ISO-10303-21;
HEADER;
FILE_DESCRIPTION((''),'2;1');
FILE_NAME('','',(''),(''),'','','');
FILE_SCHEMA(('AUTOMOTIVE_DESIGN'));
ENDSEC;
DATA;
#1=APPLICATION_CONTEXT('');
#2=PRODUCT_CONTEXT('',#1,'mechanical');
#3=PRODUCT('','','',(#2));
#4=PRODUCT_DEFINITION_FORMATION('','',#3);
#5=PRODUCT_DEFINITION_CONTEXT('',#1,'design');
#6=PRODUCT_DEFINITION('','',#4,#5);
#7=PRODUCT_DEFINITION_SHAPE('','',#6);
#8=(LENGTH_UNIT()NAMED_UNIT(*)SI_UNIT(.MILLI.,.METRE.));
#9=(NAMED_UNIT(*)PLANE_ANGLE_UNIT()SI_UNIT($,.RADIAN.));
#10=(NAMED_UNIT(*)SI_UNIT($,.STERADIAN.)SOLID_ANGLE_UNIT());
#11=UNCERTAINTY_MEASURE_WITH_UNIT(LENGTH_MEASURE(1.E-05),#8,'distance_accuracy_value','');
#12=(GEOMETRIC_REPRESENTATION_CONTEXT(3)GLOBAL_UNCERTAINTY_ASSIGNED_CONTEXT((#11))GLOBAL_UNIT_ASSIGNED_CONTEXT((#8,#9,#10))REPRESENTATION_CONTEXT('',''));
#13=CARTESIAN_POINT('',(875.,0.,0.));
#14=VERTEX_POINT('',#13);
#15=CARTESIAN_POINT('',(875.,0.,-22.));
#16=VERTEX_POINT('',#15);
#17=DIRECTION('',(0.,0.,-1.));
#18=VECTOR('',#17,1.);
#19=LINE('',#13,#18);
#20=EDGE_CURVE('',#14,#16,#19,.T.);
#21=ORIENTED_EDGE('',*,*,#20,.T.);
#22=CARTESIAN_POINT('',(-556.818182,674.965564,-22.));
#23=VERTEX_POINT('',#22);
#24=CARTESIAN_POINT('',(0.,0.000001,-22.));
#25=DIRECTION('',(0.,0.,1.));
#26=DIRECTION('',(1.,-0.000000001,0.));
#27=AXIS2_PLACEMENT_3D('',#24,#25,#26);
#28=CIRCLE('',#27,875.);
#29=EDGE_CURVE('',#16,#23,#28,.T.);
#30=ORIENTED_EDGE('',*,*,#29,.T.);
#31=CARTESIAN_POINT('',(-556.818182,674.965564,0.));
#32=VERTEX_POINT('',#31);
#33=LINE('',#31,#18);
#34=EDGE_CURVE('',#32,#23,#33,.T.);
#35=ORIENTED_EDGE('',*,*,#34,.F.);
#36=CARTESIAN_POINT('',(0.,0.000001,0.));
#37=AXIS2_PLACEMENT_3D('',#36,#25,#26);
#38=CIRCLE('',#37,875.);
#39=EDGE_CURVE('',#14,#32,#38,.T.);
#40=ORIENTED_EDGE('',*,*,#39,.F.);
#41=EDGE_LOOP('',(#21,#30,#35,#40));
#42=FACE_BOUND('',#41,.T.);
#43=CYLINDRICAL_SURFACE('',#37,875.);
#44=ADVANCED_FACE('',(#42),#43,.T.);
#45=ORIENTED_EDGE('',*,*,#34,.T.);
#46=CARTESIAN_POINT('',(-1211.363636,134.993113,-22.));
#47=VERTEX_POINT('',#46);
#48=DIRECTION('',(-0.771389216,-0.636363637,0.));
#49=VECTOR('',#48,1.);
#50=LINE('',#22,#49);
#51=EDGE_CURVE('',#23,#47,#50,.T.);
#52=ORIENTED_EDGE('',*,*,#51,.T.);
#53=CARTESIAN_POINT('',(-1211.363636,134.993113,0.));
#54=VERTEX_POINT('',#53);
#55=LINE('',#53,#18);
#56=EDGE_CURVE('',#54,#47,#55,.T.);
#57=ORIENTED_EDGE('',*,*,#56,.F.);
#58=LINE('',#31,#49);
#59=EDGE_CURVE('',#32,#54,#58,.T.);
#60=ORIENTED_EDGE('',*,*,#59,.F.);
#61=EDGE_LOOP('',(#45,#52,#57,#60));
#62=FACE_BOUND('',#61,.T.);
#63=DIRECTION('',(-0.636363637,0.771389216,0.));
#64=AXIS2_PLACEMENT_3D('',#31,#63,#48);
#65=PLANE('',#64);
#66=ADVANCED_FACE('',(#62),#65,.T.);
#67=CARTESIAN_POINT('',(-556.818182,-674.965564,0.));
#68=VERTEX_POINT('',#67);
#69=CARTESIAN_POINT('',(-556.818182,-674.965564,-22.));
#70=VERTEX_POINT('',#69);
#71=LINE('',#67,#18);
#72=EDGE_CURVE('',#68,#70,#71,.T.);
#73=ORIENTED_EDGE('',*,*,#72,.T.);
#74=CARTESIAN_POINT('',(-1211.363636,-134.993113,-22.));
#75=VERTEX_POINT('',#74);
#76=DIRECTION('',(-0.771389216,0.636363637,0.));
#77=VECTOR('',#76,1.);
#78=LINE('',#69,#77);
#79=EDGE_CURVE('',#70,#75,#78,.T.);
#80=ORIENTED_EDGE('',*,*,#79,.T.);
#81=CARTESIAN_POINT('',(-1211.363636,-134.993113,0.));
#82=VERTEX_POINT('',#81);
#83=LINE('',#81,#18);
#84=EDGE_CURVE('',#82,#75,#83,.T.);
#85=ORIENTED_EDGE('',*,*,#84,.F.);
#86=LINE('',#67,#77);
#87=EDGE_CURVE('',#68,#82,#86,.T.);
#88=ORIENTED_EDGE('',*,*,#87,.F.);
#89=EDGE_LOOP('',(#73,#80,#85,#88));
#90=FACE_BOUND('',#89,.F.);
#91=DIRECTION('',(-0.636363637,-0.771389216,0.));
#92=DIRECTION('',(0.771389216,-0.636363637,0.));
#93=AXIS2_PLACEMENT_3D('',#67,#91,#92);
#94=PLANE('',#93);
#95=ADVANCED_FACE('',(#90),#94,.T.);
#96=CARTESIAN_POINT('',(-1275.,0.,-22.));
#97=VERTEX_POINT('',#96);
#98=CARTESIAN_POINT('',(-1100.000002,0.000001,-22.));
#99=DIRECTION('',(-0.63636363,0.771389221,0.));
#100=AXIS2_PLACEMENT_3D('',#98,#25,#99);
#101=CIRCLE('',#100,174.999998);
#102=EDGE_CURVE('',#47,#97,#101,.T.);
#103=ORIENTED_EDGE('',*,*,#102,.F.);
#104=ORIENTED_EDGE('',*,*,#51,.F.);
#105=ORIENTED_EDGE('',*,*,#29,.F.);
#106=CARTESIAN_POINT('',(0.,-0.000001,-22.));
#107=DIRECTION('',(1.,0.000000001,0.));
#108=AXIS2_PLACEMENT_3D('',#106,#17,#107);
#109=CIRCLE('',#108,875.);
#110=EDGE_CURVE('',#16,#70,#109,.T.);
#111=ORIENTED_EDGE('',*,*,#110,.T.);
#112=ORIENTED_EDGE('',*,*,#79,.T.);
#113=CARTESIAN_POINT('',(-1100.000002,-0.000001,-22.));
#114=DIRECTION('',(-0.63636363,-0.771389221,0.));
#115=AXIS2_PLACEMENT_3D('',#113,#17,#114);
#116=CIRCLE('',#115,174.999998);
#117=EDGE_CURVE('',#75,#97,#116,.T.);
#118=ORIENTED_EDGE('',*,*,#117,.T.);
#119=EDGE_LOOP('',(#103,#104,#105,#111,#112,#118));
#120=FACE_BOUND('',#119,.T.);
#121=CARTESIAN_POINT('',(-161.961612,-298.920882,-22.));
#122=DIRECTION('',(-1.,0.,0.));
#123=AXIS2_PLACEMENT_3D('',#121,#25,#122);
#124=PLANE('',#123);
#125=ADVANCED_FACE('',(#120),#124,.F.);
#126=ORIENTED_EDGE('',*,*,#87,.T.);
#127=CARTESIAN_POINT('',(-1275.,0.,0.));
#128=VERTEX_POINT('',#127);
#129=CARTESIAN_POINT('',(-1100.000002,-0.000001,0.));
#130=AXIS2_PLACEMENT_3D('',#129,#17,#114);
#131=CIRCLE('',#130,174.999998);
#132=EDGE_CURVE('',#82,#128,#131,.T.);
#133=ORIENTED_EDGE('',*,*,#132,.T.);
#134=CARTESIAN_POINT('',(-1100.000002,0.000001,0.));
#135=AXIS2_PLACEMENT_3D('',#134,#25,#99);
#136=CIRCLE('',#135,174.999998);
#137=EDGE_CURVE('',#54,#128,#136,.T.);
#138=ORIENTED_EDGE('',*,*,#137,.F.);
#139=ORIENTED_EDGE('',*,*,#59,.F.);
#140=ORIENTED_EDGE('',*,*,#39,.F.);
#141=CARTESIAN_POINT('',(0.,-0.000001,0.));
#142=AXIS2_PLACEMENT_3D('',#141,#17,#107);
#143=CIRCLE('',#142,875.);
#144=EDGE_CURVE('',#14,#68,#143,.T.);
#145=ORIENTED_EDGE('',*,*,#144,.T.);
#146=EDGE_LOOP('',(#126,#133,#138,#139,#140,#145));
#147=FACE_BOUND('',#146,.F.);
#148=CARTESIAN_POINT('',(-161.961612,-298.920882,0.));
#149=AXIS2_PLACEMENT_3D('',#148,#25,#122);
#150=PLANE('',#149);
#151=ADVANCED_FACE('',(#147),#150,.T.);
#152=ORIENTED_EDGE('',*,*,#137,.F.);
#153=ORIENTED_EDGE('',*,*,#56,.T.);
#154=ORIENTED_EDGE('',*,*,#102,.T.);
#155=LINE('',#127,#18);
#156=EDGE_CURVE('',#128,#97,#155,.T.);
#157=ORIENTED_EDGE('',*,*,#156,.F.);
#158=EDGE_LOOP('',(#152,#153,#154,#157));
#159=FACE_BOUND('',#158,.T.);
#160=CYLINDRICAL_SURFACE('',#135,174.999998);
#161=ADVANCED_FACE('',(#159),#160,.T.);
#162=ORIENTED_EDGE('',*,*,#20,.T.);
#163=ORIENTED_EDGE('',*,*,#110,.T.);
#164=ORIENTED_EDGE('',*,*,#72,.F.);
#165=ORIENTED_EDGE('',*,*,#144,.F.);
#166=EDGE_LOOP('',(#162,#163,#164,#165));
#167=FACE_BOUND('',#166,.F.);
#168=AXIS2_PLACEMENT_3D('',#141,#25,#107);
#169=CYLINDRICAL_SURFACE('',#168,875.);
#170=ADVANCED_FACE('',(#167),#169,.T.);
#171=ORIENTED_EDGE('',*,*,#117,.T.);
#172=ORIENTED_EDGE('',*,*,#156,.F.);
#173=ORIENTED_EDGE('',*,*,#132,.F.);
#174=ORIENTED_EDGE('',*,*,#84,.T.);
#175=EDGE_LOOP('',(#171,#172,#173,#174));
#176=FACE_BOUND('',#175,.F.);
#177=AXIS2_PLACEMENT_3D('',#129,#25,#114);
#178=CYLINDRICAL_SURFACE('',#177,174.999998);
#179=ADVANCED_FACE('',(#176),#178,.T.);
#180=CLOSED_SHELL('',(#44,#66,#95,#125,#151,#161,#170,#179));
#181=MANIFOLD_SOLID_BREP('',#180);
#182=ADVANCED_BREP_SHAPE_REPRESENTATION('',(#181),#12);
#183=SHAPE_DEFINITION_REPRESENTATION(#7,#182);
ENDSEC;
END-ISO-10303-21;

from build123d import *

# Parameters (mm, degrees)
F1_DEPTH = 22


with BuildPart() as f1:
    # F0 (on Top) → F1 (new body)
    with BuildSketch(Plane.XY):
        with BuildLine():
            Line((0, 0), (875, 0))
            ThreePointArc((875, 0), (373.101254, 791.46728), (-556.818182, 674.965564))
            Line((-556.818182, 674.965564), (-1211.363636, 134.993113))
            ThreePointArc((-1211.363636, 134.993113), (-1258.293456, 74.620251), (-1275, 0))
            Line((-1275, 0), (-1100, 0))
            Line((-1100, 0), (0, 0))
        make_face()
    extrude(amount=-F1_DEPTH)

    # F2: F1 across plane


with BuildPart() as f1_1:
    add(f1.part)
    add(f1.part.mirror(Plane.XZ))


solid = f1_1.part
